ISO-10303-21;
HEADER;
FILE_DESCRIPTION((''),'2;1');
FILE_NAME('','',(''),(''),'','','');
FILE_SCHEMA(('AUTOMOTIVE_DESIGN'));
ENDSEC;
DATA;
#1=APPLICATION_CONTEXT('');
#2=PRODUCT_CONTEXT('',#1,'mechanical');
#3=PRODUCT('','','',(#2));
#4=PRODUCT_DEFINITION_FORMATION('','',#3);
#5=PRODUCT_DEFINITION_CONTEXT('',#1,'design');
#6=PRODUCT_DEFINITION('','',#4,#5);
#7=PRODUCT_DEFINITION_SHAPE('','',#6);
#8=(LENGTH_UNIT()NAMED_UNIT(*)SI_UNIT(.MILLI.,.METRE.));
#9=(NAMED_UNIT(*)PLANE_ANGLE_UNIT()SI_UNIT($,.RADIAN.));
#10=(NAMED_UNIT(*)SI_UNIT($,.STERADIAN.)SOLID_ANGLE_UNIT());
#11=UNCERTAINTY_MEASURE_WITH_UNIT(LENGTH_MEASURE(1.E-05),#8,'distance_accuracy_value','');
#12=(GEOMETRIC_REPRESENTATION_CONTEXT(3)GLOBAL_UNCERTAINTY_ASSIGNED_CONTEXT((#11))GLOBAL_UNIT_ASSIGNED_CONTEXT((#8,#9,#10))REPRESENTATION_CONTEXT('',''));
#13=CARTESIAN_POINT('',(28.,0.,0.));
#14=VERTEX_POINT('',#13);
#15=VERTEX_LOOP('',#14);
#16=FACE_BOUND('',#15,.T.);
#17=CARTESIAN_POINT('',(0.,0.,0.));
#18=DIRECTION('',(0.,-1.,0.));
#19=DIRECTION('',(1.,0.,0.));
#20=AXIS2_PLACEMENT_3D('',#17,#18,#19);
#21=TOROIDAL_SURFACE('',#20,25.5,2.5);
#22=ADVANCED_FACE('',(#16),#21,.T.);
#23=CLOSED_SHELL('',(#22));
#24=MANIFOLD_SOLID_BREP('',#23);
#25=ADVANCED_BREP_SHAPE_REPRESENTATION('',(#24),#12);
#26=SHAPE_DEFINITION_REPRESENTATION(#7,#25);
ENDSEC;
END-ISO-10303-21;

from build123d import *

# Parameters (mm, degrees)
SKETCH_1_R = 2.5


with BuildPart() as part:
    # Эскиз1 → Повернуть1 (revolve)
    with BuildSketch(Plane.XY, mode=Mode.PRIVATE) as revolve_1_sk:
        with Locations((-25.5, 0)):
            Circle(SKETCH_1_R)
    revolve(revolve_1_sk.sketch.rotate(Axis((0, -1000, 0), (0, 1, 0)), 180), axis=Axis((0, -1000, 0), (0, 1, 0)))


solid = part.part
